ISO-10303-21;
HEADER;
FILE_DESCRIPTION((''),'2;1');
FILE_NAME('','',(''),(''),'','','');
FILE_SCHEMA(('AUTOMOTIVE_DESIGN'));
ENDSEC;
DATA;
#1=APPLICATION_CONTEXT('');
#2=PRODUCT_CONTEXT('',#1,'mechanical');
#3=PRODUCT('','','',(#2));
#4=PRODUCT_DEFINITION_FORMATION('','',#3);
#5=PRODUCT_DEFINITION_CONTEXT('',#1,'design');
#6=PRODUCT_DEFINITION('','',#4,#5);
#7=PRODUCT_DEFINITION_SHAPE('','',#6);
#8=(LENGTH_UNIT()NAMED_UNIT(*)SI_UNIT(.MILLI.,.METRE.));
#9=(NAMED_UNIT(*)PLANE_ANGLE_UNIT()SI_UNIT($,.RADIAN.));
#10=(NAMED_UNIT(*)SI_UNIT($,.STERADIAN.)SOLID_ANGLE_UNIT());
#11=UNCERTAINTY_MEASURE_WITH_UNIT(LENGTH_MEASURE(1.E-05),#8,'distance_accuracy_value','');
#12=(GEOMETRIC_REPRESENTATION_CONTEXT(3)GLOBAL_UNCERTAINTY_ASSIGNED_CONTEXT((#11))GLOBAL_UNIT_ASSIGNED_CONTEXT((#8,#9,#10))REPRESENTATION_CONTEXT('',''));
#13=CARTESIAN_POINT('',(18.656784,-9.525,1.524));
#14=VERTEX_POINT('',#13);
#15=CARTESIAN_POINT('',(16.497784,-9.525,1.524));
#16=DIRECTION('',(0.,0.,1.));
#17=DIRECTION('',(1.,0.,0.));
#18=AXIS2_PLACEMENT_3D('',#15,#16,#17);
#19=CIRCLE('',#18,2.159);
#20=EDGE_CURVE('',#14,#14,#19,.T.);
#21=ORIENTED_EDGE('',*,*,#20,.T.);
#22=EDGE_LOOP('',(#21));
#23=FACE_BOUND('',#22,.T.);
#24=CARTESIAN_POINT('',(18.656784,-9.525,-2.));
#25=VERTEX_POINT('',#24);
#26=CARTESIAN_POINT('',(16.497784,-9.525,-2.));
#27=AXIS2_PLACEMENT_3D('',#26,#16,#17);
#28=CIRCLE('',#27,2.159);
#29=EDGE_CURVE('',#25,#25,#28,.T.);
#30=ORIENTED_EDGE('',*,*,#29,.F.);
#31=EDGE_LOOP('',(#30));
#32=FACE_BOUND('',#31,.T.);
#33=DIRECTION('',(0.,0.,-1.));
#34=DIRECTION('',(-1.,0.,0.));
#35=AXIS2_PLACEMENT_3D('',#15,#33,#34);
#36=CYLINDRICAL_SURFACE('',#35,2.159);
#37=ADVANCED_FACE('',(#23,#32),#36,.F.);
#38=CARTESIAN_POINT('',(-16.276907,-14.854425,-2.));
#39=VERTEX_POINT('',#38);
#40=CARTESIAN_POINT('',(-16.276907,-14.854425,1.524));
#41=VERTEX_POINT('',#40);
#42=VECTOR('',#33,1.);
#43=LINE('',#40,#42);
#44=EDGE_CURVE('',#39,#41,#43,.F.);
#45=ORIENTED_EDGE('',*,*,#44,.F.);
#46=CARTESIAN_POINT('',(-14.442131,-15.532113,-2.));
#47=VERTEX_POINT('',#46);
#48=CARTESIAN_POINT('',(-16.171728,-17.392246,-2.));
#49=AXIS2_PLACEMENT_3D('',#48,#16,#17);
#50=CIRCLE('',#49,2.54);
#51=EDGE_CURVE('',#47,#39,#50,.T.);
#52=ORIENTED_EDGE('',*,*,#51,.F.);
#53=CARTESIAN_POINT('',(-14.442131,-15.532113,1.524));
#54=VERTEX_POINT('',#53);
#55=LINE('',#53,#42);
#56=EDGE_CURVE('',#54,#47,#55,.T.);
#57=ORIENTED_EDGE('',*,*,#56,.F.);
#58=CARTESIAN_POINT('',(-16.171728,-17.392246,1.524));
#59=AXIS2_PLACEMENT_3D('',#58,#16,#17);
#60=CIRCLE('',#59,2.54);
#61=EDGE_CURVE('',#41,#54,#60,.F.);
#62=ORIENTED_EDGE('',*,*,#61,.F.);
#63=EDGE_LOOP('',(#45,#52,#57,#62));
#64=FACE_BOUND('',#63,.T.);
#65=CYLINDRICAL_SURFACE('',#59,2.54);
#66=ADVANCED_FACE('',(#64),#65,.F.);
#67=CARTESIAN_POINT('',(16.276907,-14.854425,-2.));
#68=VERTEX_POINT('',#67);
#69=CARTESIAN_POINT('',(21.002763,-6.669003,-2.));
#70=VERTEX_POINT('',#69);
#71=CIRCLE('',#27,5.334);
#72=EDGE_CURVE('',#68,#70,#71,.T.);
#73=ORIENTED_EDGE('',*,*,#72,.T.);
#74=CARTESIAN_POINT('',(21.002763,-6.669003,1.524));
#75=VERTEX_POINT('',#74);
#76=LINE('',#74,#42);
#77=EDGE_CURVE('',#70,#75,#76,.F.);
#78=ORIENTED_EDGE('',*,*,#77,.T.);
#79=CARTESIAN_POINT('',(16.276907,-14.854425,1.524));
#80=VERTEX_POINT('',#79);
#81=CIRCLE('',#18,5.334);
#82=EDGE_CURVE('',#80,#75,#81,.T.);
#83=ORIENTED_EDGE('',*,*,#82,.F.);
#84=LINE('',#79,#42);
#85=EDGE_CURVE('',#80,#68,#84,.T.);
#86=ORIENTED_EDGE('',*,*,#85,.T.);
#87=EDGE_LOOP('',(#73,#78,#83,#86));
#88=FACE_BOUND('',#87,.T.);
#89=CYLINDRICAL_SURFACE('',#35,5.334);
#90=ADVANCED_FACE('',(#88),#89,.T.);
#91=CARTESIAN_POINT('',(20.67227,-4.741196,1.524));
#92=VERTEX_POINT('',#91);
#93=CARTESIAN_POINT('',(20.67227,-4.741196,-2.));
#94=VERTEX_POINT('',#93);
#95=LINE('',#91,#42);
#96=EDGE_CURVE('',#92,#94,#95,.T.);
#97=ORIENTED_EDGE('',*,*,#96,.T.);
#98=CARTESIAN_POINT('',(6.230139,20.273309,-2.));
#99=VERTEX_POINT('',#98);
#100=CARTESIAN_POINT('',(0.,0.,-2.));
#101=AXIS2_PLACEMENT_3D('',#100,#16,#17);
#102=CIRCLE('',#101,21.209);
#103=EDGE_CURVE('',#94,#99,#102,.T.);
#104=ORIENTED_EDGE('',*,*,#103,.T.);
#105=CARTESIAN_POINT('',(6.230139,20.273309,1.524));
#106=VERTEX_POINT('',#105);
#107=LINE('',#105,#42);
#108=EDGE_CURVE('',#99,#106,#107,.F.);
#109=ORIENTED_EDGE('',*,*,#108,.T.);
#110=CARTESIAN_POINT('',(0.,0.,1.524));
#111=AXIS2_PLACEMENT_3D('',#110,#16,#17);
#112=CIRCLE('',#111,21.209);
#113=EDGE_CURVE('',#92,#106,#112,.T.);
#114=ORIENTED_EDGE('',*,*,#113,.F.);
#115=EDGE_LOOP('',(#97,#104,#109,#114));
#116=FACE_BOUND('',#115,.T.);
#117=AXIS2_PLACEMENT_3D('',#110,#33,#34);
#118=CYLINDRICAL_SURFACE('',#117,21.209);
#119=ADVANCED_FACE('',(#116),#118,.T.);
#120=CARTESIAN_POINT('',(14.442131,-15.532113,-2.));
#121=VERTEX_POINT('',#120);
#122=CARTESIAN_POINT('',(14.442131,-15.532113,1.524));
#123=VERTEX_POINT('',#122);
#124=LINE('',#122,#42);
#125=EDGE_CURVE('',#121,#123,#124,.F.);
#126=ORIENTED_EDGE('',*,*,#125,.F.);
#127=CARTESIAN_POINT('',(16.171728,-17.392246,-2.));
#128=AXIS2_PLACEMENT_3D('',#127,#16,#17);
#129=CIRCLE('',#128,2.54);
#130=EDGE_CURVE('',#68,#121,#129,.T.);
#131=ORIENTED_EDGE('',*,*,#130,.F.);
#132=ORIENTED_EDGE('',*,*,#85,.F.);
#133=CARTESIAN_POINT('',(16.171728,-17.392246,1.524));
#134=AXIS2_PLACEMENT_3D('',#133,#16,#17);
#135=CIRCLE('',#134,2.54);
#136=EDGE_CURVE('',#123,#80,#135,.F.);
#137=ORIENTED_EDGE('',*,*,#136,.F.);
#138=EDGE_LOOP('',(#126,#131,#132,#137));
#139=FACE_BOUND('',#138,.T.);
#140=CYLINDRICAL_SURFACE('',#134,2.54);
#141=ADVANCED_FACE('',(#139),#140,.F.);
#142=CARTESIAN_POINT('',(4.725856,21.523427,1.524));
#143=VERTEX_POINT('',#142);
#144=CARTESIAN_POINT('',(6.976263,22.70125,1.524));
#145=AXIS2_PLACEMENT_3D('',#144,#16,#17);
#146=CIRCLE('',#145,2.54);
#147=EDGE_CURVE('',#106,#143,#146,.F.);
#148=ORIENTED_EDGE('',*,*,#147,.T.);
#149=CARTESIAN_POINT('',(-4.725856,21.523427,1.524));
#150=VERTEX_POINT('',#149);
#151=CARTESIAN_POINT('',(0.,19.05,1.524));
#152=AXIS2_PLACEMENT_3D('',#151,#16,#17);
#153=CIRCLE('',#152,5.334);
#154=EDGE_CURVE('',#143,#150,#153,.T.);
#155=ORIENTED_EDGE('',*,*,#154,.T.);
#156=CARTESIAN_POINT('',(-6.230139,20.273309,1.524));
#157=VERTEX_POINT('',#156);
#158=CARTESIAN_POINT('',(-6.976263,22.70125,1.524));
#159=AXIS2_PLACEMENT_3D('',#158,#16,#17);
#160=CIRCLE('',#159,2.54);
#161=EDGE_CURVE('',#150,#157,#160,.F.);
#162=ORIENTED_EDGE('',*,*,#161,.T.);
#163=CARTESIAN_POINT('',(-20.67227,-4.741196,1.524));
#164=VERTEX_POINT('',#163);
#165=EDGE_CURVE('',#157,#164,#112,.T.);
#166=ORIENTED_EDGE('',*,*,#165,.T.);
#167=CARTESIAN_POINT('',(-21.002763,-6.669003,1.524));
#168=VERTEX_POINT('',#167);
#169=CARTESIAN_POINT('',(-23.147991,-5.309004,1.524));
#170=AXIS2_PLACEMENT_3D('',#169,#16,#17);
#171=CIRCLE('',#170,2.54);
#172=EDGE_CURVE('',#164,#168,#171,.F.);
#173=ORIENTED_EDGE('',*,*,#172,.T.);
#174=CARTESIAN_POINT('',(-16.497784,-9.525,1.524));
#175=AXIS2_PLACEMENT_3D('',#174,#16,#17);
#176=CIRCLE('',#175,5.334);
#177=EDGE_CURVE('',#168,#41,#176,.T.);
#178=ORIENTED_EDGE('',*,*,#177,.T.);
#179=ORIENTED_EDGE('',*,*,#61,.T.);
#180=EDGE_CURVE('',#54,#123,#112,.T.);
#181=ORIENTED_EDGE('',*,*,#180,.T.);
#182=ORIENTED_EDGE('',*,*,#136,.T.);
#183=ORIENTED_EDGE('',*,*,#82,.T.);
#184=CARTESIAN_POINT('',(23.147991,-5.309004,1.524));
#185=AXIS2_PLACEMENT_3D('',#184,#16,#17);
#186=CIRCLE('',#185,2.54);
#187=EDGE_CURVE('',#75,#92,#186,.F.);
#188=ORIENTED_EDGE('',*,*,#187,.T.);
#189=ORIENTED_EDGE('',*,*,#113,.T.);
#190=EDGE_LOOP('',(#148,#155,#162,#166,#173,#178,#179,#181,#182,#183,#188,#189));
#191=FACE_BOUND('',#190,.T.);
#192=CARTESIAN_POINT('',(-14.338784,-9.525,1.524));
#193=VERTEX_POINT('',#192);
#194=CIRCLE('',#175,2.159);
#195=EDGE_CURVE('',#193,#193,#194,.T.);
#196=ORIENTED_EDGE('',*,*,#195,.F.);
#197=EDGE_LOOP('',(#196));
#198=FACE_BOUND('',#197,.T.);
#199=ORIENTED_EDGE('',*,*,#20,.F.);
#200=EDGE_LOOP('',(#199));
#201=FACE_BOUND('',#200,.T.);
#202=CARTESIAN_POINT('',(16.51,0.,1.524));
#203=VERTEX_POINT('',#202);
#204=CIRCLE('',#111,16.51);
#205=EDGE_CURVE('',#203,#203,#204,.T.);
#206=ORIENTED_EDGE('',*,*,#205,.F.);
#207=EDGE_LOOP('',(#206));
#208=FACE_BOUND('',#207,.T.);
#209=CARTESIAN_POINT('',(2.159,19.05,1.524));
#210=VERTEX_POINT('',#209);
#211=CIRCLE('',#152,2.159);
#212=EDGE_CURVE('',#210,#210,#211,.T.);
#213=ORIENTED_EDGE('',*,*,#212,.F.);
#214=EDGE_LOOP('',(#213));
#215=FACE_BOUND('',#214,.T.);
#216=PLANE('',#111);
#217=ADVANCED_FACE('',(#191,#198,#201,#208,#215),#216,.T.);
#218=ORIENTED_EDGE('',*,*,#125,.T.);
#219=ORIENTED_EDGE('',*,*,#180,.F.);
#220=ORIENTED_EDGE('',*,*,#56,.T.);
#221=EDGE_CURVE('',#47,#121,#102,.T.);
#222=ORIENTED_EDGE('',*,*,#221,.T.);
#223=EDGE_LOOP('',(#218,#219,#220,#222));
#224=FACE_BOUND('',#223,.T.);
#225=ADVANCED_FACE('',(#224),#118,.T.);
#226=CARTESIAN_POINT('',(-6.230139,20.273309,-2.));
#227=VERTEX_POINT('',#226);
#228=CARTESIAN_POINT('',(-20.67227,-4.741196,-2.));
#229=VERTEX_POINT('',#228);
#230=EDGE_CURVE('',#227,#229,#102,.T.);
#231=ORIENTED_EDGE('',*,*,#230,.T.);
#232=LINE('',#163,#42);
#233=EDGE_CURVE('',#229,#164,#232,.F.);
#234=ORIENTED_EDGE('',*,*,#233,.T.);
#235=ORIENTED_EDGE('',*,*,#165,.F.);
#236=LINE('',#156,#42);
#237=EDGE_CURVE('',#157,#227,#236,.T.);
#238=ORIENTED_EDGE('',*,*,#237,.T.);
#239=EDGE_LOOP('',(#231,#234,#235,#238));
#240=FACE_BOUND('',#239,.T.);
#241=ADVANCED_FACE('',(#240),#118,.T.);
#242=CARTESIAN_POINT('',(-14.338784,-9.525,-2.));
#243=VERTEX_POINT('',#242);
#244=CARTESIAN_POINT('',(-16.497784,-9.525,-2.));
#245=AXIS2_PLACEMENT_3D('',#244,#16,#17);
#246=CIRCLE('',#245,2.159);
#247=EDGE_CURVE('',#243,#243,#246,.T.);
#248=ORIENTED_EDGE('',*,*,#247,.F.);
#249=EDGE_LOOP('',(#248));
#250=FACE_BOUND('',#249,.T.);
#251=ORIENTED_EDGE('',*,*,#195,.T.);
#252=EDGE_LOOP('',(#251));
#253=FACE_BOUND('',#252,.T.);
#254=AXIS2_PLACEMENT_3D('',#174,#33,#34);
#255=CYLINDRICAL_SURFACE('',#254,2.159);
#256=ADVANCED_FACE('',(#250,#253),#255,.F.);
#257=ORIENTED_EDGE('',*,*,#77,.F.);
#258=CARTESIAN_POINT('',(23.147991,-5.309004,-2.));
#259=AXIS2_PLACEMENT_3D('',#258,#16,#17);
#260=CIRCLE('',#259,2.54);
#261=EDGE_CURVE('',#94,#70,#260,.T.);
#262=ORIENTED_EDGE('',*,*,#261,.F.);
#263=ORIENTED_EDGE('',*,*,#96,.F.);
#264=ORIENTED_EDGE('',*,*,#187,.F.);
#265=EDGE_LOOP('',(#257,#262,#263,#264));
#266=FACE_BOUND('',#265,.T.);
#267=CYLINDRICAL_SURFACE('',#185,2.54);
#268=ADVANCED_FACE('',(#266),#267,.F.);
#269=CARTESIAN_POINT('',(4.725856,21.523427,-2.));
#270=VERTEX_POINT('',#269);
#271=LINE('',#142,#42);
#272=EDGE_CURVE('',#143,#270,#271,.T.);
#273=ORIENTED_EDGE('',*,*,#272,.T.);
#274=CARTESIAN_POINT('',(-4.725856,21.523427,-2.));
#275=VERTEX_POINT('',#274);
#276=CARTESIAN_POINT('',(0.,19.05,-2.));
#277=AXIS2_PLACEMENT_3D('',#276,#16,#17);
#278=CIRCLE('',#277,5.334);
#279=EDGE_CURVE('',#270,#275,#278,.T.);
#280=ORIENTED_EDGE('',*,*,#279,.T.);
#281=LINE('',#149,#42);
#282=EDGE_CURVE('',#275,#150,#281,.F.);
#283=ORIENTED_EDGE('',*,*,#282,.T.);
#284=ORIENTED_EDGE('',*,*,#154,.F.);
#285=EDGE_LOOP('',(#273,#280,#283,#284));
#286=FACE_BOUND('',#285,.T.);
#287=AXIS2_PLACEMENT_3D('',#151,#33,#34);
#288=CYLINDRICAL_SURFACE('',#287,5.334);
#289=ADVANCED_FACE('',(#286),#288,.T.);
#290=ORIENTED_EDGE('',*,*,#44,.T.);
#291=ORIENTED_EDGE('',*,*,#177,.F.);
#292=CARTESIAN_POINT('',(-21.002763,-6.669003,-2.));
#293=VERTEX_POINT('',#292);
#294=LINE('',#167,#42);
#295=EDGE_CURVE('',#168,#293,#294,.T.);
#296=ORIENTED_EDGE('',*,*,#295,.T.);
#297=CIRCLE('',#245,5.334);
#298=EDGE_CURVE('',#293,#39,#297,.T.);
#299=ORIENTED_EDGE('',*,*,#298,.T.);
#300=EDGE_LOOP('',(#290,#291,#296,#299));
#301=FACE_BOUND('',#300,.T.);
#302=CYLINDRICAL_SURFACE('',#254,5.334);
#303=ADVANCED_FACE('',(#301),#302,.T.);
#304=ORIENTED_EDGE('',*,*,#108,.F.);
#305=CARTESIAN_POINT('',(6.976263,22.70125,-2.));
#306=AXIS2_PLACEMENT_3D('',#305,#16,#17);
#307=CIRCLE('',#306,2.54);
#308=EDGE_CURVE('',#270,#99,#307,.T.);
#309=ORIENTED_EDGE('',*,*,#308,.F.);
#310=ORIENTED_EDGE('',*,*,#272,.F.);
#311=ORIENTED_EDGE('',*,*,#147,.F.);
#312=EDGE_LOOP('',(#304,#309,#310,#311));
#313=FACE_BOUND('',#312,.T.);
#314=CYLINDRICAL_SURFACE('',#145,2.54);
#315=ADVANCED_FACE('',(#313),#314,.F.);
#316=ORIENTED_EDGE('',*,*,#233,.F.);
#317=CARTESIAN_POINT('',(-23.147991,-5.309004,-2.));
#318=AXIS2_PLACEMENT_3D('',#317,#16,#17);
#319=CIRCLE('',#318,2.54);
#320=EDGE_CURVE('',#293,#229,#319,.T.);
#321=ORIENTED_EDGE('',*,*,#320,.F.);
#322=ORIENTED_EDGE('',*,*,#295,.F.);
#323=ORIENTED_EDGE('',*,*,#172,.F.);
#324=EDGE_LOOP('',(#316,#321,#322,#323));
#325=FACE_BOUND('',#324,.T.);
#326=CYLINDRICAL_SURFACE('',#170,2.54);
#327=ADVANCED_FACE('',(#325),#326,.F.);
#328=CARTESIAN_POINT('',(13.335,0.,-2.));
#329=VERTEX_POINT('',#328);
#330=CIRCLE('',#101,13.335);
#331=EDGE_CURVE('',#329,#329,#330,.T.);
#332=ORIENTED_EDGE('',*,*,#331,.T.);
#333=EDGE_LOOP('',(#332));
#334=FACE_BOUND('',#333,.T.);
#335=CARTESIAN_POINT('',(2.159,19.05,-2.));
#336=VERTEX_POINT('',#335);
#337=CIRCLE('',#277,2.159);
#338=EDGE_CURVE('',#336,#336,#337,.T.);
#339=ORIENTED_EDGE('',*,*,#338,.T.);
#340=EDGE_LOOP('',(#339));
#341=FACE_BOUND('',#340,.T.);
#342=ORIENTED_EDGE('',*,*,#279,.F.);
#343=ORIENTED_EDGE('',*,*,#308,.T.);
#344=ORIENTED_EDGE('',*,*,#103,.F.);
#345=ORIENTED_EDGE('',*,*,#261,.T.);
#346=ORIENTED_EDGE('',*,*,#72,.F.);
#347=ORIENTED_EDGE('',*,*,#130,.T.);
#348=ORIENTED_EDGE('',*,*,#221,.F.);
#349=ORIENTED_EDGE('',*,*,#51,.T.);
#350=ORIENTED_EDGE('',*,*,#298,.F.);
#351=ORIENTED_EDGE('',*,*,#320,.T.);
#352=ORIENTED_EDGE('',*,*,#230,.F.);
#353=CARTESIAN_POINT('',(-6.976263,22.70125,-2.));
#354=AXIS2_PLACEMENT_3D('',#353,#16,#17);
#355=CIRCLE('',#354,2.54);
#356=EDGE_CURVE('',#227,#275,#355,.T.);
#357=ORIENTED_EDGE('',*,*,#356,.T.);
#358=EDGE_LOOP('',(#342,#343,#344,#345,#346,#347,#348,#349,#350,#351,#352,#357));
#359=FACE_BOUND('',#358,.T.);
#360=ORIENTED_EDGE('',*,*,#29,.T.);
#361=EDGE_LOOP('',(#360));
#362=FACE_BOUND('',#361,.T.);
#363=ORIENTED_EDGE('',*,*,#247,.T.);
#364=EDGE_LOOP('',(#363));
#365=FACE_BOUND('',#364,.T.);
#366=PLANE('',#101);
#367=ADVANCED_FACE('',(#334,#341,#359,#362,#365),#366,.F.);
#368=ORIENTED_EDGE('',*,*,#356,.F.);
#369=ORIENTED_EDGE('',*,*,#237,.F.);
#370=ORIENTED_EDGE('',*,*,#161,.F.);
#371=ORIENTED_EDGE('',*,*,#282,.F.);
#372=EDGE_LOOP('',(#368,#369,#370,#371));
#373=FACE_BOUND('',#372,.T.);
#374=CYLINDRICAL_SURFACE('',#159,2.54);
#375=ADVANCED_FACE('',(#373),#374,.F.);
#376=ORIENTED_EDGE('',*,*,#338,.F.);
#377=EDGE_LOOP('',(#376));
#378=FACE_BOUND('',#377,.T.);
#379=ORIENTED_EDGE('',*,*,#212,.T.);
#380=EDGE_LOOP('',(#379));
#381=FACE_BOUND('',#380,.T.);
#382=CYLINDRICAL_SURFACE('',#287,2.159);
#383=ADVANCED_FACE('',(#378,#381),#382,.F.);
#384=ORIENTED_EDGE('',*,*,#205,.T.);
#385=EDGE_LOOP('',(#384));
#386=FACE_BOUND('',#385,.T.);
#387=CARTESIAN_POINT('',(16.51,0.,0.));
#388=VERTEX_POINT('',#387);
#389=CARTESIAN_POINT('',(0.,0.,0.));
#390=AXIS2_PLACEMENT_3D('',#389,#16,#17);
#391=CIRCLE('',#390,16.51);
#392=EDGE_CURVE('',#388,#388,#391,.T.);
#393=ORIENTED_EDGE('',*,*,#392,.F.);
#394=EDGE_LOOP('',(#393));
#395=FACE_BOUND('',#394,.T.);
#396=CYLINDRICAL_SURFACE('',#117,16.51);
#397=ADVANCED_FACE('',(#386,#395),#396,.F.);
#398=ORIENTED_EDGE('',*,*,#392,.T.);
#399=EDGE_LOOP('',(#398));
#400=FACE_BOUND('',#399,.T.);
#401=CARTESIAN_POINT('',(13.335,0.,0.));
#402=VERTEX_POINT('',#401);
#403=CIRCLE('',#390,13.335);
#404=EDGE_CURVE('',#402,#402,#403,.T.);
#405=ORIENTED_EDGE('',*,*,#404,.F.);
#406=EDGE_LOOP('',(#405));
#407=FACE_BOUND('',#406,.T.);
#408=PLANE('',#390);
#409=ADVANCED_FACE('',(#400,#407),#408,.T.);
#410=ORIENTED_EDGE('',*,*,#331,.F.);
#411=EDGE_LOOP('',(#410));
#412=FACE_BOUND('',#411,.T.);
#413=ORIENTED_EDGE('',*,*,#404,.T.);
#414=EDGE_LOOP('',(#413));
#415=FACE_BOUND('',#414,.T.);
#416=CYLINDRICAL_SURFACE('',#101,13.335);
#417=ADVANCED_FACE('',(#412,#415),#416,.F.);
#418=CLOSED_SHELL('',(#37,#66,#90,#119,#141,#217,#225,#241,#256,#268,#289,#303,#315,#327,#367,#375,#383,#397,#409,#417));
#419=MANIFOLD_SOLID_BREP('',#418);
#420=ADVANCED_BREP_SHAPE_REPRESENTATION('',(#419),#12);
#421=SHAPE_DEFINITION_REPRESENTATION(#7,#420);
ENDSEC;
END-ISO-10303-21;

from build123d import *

# Parameters (mm, degrees)
SKETCH1_R           = 2.159
SKETCH1_R_2         = 16.51
BOSS_EXTRUDE1_DEPTH = 1.524
SKETCH2_R           = 2.159
SKETCH2_R_2         = 13.335
BOSS_EXTRUDE2_DEPTH = 2
FILLET1_R           = 2.54


with BuildPart() as part:
    # Sketch1 → Boss-Extrude1 (new body)
    with BuildSketch(Plane.XY):
        with BuildLine():
            ThreePointArc((15.272530034, -14.716368688), (21.117163446, -12.192), (20.381014152, -5.868214645))
            ThreePointArc((20.381014152, -5.868214645), (18.367532789, 10.6045), (5.108484119, 20.584583333))
            ThreePointArc((5.108484119, 20.584583333), (0, 24.384), (-5.108484119, 20.584583333))
            ThreePointArc((-5.108484119, 20.584583333), (-18.367532789, 10.6045), (-20.381014152, -5.868214645))
            ThreePointArc((-20.381014152, -5.868214645), (-21.117163446, -12.192), (-15.272530034, -14.716368688))
            ThreePointArc((-15.272530034, -14.716368688), (0, -21.209), (15.272530034, -14.716368688))
        make_face()
        with Locations((0, 19.05)):
            Circle(SKETCH1_R, mode=Mode.SUBTRACT)
        with Locations((16.497783942, -9.525)):
            Circle(SKETCH1_R, mode=Mode.SUBTRACT)
        with Locations((-16.497783942, -9.525)):
            Circle(SKETCH1_R, mode=Mode.SUBTRACT)
        Circle(SKETCH1_R_2, mode=Mode.SUBTRACT)
    extrude(amount=BOSS_EXTRUDE1_DEPTH)

    # Sketch2 → Boss-Extrude2 (add)
    with BuildSketch(Plane.XY):
        with BuildLine():
            ThreePointArc((-20.381014152, -5.868214645), (-21.117163446, -12.192), (-15.272530034, -14.716368688))
            ThreePointArc((-15.272530034, -14.716368688), (0, -21.209), (15.272530034, -14.716368688))
            ThreePointArc((15.272530034, -14.716368688), (21.117163446, -12.192), (20.381014152, -5.868214645))
            ThreePointArc((20.381014152, -5.868214645), (18.367532789, 10.6045), (5.108484119, 20.584583333))
            ThreePointArc((5.108484119, 20.584583333), (0, 24.384), (-5.108484119, 20.584583333))
            ThreePointArc((-5.108484119, 20.584583333), (-18.367532789, 10.6045), (-20.381014152, -5.868214645))
        make_face()
        with Locations((0, 19.05)):
            Circle(SKETCH2_R, mode=Mode.SUBTRACT)
        with Locations((-16.497783942, -9.525)):
            Circle(SKETCH2_R, mode=Mode.SUBTRACT)
        Circle(SKETCH2_R_2, mode=Mode.SUBTRACT)
        with Locations((16.497783942, -9.525)):
            Circle(SKETCH2_R, mode=Mode.SUBTRACT)
    extrude(amount=-BOSS_EXTRUDE2_DEPTH)

    # Fillet1
    fillet1_edges = [part.edges().sort_by_distance(p)[0] for p in [
        (15.272530034, -14.716368688, -0.238),
        (-15.272530034, -14.716368688, -0.238),
        (-20.381014152, -5.868214645, -0.238),
        (-5.108484119, 20.584583333, -0.238),
        (5.108484119, 20.584583333, -0.238),
        (20.381014152, -5.868214645, -0.238),
    ]]
    fillet(fillet1_edges, radius=FILLET1_R)


solid = part.part
